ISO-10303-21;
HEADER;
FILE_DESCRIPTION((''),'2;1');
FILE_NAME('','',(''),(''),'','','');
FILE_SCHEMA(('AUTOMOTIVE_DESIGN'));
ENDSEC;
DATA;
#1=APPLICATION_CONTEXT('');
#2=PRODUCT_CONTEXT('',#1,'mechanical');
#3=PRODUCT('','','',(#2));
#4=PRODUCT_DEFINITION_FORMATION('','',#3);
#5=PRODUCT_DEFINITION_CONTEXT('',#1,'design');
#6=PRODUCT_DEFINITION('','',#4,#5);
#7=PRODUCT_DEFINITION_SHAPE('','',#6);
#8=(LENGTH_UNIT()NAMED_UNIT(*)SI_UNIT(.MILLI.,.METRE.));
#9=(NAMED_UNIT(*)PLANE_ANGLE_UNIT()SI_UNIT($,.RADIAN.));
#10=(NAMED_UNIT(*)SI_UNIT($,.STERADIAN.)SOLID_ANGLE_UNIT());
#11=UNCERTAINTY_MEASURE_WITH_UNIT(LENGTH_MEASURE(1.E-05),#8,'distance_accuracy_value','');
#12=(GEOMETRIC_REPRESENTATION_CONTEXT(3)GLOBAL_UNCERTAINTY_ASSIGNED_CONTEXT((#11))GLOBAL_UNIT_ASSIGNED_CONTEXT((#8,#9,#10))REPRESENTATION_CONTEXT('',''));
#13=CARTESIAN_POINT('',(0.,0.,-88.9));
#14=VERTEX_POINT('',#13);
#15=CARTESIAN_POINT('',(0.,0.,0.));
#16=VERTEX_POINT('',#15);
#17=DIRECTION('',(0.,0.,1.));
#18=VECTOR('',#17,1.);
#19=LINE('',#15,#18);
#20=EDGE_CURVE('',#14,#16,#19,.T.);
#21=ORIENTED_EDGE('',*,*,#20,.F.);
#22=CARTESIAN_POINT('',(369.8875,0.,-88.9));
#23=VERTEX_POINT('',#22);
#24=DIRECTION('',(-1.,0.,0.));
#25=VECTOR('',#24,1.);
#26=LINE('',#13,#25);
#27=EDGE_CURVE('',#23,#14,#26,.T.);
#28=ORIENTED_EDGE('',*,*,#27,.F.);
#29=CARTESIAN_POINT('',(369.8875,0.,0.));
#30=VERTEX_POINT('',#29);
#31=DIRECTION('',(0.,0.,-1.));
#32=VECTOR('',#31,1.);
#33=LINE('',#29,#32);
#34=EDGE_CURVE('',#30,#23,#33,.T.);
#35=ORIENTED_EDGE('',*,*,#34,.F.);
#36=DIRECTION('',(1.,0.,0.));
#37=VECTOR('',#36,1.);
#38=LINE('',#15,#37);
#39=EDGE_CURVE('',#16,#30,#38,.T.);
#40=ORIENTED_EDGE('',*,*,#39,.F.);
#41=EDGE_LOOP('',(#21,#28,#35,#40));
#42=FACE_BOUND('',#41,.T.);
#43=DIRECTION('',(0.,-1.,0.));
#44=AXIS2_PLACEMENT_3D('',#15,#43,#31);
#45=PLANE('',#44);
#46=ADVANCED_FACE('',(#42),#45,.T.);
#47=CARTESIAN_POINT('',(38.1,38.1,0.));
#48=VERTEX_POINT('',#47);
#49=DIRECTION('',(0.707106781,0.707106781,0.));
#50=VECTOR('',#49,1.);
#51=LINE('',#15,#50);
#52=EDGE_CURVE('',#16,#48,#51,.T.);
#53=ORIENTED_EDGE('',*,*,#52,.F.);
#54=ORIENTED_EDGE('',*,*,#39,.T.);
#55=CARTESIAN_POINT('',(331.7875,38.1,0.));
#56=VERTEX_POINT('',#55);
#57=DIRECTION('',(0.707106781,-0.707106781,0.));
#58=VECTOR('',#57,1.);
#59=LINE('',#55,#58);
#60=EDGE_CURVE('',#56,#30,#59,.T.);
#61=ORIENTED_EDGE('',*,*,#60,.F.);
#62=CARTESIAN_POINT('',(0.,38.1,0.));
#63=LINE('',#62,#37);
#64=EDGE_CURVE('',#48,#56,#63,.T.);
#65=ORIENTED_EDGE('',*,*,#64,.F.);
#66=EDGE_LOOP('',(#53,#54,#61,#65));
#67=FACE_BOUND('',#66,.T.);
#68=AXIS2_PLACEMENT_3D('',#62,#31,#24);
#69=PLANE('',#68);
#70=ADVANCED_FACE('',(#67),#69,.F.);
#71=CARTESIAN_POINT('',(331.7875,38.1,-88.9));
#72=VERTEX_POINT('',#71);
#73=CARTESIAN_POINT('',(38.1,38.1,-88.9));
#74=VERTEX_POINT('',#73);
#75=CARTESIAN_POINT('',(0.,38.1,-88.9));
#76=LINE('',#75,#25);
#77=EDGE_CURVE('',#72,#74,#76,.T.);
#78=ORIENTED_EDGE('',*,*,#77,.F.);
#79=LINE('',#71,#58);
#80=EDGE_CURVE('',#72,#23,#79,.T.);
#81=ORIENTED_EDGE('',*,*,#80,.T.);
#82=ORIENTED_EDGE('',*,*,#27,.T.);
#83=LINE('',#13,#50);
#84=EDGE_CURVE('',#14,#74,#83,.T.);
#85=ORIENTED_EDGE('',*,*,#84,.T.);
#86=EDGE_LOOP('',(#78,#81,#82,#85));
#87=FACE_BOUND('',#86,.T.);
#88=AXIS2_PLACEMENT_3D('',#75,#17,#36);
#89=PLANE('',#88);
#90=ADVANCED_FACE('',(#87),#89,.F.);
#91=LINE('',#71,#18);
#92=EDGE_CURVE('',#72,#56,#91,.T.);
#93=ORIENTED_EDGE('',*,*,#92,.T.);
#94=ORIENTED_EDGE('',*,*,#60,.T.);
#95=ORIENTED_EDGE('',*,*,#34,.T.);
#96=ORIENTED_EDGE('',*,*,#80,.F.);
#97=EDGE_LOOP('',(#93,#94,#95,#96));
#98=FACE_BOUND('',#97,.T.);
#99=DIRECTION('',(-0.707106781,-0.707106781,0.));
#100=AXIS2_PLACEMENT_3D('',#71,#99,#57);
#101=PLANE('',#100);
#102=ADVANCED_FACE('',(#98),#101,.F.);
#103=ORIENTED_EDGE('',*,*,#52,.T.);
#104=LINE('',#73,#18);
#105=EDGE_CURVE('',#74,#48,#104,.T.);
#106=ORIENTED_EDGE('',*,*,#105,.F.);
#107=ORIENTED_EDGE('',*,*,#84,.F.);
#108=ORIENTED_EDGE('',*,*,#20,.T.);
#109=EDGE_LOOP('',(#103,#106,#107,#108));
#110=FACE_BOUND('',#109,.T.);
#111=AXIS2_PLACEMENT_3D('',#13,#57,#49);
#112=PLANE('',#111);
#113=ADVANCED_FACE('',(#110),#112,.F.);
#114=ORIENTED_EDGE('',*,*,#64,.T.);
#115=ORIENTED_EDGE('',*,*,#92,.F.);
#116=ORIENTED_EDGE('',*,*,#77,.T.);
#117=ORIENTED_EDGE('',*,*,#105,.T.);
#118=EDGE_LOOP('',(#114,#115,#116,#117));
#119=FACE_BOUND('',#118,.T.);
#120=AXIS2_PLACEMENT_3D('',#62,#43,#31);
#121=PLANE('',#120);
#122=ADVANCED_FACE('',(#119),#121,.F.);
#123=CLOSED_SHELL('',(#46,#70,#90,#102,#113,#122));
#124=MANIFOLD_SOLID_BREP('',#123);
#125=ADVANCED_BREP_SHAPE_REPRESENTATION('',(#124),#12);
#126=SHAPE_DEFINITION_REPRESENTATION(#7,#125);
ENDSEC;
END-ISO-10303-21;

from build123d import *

# Parameters (mm, degrees)
SKETCH1_W           = 369.8875
SKETCH1_H           = 88.9
BOSS_EXTRUDE1_DEPTH = 38.1
CUT_EXTRUDE1_DEPTH  = 89.9


with BuildPart() as part:
    # Sketch1 → Boss-Extrude1 (new body)
    with BuildSketch(Plane(origin=(0, 0, 0), x_dir=(1, 0, 0), z_dir=(0, 1, 0))):
        with Locations((184.94375, 44.45)):
            Rectangle(SKETCH1_W, SKETCH1_H)
    extrude(amount=BOSS_EXTRUDE1_DEPTH)

    # Sketch2 → Cut-Extrude1 (cut, through all)
    with BuildSketch(Plane.XY):
        Polygon((0, 0), (38.1, 38.1), (0, 38.1), align=None)
        Polygon((369.8875, 0), (369.8875, 38.1), (331.7875, 38.1), align=None)
    extrude(amount=-CUT_EXTRUDE1_DEPTH, mode=Mode.SUBTRACT)


solid = part.part
